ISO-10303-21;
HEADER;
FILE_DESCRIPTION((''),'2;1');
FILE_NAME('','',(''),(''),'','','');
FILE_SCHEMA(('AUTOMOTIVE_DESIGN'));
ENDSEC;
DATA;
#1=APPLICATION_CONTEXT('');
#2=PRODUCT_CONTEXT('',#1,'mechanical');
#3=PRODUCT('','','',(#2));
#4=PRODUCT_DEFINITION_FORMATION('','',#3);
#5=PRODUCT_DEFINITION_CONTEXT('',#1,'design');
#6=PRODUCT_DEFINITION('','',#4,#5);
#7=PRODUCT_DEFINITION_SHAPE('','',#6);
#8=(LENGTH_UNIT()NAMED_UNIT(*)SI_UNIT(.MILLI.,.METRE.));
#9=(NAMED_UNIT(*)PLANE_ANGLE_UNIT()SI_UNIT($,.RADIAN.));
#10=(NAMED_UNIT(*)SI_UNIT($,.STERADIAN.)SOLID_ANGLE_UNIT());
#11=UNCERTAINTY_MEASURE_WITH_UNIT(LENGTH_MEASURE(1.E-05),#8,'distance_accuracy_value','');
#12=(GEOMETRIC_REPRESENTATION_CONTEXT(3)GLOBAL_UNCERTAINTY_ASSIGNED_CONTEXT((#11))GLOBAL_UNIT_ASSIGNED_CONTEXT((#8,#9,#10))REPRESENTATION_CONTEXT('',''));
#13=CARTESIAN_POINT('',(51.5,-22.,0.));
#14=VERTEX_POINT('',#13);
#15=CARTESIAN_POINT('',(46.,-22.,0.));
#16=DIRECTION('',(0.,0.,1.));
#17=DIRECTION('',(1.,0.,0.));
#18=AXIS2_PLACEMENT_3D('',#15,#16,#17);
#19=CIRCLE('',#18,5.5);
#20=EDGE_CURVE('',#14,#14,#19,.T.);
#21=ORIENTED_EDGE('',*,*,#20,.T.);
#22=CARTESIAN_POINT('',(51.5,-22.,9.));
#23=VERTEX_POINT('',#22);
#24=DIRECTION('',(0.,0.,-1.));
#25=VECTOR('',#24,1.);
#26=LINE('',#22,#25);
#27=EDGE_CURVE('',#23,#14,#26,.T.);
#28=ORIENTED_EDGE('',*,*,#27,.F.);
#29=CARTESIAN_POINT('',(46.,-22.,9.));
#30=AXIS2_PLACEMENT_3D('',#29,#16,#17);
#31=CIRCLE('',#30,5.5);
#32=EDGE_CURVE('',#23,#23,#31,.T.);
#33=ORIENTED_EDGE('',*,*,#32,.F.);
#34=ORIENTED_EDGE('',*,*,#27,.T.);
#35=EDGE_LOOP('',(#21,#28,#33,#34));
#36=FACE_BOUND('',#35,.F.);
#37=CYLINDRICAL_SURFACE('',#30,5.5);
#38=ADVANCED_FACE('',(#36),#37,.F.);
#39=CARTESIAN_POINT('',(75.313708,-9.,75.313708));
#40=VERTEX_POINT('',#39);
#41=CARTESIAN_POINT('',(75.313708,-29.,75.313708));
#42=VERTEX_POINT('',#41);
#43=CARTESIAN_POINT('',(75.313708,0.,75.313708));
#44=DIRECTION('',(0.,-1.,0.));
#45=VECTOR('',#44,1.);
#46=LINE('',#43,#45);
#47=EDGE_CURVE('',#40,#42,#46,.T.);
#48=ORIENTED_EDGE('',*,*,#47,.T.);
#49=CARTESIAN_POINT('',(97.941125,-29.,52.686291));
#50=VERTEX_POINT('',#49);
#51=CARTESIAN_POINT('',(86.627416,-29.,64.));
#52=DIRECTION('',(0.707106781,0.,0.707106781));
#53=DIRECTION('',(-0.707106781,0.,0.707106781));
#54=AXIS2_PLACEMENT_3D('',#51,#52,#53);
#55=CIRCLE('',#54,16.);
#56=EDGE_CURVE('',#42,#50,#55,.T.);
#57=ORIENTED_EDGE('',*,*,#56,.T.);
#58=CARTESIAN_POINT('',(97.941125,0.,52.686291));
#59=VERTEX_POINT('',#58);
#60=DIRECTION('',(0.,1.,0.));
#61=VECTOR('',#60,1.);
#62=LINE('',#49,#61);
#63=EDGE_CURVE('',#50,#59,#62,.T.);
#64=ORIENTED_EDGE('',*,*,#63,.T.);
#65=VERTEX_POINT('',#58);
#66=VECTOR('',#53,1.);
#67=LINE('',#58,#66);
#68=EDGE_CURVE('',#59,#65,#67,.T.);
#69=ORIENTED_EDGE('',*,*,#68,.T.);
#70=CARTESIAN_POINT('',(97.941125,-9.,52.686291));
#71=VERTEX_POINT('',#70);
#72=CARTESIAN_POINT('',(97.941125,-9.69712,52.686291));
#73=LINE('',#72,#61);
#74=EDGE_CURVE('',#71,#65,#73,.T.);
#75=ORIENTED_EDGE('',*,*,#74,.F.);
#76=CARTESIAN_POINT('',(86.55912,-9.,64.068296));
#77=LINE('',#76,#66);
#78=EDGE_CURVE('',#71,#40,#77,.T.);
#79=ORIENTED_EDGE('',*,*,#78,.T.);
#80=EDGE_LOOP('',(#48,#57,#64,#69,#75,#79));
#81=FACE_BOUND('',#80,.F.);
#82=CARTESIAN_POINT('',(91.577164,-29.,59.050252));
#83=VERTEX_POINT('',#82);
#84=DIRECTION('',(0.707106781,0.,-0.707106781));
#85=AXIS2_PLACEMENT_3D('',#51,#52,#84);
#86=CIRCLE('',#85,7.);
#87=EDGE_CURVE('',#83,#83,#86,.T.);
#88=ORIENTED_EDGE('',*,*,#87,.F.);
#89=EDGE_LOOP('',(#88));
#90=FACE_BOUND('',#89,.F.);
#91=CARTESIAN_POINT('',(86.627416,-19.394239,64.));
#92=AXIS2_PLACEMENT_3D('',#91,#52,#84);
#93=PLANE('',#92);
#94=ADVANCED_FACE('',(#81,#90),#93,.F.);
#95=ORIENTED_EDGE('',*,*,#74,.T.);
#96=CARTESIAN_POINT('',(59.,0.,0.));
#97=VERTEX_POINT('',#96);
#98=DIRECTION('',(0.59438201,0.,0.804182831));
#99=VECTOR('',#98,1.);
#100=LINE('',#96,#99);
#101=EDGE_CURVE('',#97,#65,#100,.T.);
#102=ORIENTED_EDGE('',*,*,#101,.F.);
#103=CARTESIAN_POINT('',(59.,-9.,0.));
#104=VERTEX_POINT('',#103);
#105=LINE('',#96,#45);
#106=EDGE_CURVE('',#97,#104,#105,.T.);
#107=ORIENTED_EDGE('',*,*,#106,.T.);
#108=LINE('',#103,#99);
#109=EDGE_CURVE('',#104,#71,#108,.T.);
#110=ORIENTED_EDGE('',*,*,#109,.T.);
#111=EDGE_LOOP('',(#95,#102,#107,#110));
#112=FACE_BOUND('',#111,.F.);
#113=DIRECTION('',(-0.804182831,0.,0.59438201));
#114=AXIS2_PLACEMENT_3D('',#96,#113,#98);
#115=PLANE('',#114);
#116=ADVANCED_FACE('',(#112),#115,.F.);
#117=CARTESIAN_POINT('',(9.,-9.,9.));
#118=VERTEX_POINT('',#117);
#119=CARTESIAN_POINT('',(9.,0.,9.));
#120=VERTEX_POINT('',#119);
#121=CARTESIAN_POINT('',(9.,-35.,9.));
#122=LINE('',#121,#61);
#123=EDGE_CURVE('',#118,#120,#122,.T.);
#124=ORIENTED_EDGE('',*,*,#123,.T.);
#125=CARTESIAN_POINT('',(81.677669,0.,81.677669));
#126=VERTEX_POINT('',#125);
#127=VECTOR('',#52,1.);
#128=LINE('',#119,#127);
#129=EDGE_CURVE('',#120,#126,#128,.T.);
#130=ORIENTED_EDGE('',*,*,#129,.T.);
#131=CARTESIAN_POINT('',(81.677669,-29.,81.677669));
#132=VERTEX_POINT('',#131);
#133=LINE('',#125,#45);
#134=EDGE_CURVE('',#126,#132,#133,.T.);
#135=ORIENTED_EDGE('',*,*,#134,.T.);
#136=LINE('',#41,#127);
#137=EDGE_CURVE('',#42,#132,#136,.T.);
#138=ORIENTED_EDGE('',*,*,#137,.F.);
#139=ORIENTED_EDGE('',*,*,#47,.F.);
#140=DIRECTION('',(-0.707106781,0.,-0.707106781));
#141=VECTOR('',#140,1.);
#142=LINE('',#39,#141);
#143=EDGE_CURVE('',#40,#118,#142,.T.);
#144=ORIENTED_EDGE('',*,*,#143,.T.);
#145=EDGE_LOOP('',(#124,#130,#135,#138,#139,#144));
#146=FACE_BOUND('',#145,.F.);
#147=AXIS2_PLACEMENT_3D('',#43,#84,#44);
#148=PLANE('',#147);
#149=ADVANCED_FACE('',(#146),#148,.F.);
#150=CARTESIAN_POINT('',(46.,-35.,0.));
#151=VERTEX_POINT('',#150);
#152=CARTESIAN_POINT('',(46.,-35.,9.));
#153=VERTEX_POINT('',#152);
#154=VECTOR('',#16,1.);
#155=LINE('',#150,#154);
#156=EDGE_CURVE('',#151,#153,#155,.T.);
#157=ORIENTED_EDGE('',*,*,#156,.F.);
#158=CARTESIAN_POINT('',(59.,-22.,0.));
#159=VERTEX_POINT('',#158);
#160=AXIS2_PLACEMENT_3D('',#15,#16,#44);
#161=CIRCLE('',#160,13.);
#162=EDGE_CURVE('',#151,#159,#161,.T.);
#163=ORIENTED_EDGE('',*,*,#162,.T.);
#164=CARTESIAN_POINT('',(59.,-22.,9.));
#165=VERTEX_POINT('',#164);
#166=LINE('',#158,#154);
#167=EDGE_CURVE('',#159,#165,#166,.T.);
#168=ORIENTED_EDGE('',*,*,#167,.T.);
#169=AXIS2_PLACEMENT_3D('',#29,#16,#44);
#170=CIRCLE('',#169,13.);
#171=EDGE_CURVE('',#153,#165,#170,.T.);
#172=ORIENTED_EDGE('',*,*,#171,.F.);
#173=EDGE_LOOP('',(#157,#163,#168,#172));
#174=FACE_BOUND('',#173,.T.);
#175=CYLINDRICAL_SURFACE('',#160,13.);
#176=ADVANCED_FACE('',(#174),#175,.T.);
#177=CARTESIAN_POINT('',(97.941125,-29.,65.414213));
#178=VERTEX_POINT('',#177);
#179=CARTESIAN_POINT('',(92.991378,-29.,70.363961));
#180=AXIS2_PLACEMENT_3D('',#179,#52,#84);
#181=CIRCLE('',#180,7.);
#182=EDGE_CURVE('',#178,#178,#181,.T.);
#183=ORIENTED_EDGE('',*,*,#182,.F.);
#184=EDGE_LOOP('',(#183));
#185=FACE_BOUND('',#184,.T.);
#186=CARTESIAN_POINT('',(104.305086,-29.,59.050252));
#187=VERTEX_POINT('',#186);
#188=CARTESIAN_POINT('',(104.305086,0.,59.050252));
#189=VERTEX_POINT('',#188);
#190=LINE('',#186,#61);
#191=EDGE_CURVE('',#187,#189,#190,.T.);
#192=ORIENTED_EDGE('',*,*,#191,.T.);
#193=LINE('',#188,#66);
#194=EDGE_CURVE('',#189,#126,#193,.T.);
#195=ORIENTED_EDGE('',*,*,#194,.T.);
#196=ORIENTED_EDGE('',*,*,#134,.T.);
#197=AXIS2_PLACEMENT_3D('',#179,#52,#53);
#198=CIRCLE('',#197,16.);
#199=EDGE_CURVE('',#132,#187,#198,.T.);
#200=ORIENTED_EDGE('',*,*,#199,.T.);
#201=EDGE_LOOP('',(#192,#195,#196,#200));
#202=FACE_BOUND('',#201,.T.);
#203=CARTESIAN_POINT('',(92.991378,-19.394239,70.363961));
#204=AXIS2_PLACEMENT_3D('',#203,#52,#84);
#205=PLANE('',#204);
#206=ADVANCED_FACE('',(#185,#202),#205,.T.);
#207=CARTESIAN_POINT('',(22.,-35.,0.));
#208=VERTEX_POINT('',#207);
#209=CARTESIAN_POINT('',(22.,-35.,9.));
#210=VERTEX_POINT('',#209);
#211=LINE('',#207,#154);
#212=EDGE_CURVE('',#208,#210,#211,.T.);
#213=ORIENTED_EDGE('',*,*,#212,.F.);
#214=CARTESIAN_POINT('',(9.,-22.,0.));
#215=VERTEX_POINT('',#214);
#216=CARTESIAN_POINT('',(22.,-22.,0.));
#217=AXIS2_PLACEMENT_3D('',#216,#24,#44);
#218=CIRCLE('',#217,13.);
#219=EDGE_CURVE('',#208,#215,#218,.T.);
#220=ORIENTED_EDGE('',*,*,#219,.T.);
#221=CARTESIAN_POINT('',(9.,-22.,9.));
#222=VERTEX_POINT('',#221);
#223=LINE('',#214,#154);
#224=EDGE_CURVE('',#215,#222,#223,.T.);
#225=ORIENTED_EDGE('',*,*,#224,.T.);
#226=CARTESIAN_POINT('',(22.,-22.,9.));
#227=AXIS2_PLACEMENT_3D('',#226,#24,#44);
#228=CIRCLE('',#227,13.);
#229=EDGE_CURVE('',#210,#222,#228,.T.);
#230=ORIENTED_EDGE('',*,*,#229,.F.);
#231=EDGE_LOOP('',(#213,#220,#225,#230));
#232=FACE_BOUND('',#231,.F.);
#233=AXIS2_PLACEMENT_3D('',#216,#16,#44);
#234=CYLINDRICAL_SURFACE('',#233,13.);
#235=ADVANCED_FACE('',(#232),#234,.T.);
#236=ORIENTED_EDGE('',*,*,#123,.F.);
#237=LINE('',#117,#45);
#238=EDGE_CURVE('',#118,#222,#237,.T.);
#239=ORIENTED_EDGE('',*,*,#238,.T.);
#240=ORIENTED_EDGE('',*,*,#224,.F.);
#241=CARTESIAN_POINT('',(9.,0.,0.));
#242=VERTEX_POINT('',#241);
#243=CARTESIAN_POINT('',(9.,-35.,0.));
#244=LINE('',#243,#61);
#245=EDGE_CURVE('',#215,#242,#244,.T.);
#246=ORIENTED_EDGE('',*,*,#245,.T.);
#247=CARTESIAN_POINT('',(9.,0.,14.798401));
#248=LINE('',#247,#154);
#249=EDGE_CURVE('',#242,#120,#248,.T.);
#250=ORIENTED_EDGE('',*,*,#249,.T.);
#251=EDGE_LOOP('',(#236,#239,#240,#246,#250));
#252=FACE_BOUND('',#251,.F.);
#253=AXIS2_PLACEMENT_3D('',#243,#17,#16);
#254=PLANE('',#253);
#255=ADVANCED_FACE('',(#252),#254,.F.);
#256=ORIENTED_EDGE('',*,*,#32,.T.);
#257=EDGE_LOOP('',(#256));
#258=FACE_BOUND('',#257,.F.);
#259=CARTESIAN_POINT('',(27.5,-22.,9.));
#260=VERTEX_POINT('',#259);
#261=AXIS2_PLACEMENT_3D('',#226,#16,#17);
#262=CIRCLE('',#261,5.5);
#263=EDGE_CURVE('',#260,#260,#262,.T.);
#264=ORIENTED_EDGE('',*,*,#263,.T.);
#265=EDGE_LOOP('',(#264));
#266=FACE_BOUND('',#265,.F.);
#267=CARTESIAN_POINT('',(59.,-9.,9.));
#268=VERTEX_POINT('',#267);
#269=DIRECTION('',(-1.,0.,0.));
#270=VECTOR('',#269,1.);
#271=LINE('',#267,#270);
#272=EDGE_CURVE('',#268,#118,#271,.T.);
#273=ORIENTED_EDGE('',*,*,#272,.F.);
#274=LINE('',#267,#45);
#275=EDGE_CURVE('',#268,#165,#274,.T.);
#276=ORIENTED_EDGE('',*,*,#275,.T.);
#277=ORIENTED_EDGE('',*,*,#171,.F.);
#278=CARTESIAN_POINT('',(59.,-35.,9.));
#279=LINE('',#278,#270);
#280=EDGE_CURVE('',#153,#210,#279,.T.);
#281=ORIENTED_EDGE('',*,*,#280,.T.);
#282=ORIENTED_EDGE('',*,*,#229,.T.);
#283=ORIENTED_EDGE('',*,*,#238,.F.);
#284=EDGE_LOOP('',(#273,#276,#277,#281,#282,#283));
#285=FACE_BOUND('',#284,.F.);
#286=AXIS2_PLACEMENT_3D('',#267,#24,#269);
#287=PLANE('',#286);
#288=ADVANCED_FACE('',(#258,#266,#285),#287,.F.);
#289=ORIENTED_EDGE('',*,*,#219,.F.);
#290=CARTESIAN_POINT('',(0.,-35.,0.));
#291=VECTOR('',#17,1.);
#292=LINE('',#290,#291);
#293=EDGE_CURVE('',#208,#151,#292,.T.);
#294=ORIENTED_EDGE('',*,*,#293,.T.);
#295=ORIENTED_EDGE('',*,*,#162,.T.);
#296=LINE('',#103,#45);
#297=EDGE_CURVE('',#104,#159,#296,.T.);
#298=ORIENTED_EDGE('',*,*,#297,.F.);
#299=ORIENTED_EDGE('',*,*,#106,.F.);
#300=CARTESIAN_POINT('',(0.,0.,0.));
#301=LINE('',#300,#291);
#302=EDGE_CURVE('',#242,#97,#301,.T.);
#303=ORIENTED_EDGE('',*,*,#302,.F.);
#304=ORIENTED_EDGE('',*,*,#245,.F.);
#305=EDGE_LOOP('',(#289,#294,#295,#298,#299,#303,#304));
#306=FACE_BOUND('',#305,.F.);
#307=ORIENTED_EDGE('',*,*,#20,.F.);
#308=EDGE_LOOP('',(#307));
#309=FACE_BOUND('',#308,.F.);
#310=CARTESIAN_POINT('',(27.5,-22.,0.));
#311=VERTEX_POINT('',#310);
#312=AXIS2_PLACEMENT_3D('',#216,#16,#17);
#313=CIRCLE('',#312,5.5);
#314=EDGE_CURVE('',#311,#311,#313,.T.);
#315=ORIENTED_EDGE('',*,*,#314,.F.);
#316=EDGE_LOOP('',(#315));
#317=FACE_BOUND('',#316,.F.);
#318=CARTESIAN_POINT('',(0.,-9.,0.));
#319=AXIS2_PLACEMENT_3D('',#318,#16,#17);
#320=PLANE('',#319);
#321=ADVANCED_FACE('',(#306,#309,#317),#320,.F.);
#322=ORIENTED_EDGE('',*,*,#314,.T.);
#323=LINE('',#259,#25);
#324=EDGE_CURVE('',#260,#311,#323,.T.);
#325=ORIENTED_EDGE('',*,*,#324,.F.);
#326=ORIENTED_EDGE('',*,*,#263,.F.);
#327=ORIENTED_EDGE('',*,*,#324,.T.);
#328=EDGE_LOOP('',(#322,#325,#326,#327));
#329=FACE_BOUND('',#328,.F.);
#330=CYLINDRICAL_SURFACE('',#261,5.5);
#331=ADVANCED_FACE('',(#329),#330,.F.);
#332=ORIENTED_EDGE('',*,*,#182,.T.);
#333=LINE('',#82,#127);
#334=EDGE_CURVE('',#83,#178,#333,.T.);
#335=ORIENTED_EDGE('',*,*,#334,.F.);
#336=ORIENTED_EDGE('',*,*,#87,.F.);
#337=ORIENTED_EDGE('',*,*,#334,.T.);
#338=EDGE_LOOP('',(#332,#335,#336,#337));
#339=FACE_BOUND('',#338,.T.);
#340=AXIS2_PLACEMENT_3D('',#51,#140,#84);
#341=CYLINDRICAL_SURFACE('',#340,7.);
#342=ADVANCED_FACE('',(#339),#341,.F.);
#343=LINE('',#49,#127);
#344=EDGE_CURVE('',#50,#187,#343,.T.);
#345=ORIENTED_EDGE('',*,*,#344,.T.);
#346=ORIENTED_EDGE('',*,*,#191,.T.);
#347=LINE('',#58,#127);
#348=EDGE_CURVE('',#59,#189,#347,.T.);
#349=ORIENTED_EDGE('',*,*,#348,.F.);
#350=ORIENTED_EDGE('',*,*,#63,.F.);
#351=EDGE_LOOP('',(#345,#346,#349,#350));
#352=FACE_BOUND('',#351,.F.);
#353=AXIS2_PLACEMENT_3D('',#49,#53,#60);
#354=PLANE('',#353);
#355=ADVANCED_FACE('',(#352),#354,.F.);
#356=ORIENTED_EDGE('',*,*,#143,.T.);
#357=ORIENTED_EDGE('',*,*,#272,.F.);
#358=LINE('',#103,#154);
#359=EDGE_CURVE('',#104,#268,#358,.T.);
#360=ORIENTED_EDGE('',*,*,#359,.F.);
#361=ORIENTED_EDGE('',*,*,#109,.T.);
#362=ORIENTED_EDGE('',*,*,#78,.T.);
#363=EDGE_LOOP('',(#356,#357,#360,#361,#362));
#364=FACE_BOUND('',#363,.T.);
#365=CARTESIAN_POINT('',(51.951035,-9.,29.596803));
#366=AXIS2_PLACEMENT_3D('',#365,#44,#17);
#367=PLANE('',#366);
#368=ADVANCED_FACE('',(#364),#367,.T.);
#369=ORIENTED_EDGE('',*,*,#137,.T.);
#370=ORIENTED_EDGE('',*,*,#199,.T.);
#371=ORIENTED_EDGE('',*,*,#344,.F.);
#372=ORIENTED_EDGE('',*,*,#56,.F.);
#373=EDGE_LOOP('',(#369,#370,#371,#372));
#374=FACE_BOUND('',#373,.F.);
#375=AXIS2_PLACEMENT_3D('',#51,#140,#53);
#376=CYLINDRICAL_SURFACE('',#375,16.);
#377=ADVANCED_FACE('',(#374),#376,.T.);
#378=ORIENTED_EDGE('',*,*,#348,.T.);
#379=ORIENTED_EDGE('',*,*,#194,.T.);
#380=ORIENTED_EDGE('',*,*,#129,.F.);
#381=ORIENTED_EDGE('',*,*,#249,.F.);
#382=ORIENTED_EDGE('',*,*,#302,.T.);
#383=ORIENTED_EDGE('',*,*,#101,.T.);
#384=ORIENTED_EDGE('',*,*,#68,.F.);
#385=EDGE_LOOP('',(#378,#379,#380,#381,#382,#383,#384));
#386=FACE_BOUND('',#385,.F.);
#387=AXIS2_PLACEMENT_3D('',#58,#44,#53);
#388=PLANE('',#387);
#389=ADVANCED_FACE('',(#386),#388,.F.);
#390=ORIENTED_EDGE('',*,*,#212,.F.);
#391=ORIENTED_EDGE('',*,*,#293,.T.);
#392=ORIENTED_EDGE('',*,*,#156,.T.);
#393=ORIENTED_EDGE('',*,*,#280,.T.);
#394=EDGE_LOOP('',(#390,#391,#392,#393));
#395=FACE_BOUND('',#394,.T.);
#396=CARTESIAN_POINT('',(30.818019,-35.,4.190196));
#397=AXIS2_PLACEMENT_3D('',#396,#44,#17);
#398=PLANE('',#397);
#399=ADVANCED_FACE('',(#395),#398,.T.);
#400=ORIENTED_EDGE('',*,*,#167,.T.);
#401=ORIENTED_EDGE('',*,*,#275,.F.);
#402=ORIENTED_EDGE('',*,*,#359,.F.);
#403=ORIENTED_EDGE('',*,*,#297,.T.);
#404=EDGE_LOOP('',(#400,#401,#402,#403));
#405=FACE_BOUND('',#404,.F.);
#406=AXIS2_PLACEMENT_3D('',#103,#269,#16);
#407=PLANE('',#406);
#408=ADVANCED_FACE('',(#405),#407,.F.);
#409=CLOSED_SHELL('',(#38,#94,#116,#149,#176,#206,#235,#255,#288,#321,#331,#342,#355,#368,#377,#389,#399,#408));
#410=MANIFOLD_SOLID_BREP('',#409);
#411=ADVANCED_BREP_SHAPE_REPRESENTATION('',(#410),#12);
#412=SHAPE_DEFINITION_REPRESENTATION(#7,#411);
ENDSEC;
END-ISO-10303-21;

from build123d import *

# Parameters (mm, degrees)
F1_DEPTH  = 9
F3_DEPTH  = 26
F5_DEPTH  = 35.001
F6_R      = 7
F7_DEPTH  = 9
F8_R      = 13
F9_R      = 5.5
F10_DEPTH = 9.001


with BuildPart() as f1:
    # F0 (on Front) → F1 (new body)
    with BuildSketch(Plane.XZ):
        Polygon((75.313708, 75.313708), (0, 0), (59, 0), (97.941125, 52.686292), align=None)
    extrude(amount=F1_DEPTH)

    # F2 (on face) → F3 (join)
    with BuildSketch(Plane.XZ.offset(9)):
        Polygon((0, 0), (59, 0), (59, 9), (9, 9), align=None)
    extrude(amount=F3_DEPTH)

    # F4 (on face) → F5 (cut, through all)
    with BuildSketch(Plane.XZ.offset(35)):
        Polygon((9, 9), (0, 0), (9, 0), align=None)
    extrude(amount=-F5_DEPTH, mode=Mode.SUBTRACT)

    # F6 (on face) → F7 (join)
    with BuildSketch(Plane(origin=(75.313708, 0, 75.313708), x_dir=(0.707107, 0, -0.707107), z_dir=(0.707107, 0, 0.707107))):
        with BuildLine():
            Line((32, 0), (0, 0))
            Line((0, 0), (0, -29))
            ThreePointArc((0, -29), (16, -45), (32, -29))
            Line((32, -29), (32, 0))
        make_face()
        with Locations((16, -29)):
            Circle(F6_R, mode=Mode.SUBTRACT)
    extrude(amount=F7_DEPTH)

    # F8
    f8_edges = [f1.edges().sort_by_distance(p)[0] for p in [
        (9, -35, 4.5),
        (59, -35, 4.5),
    ]]
    fillet(f8_edges, radius=F8_R)

    # F9 (on face) → F10 (cut, through all)
    with BuildSketch(Plane.XY.offset(9)):
        with Locations((22, -22)):
            Circle(F9_R)
        with Locations((46, -22)):
            Circle(F9_R)
    extrude(amount=-F10_DEPTH, mode=Mode.SUBTRACT)


solid = f1.part
